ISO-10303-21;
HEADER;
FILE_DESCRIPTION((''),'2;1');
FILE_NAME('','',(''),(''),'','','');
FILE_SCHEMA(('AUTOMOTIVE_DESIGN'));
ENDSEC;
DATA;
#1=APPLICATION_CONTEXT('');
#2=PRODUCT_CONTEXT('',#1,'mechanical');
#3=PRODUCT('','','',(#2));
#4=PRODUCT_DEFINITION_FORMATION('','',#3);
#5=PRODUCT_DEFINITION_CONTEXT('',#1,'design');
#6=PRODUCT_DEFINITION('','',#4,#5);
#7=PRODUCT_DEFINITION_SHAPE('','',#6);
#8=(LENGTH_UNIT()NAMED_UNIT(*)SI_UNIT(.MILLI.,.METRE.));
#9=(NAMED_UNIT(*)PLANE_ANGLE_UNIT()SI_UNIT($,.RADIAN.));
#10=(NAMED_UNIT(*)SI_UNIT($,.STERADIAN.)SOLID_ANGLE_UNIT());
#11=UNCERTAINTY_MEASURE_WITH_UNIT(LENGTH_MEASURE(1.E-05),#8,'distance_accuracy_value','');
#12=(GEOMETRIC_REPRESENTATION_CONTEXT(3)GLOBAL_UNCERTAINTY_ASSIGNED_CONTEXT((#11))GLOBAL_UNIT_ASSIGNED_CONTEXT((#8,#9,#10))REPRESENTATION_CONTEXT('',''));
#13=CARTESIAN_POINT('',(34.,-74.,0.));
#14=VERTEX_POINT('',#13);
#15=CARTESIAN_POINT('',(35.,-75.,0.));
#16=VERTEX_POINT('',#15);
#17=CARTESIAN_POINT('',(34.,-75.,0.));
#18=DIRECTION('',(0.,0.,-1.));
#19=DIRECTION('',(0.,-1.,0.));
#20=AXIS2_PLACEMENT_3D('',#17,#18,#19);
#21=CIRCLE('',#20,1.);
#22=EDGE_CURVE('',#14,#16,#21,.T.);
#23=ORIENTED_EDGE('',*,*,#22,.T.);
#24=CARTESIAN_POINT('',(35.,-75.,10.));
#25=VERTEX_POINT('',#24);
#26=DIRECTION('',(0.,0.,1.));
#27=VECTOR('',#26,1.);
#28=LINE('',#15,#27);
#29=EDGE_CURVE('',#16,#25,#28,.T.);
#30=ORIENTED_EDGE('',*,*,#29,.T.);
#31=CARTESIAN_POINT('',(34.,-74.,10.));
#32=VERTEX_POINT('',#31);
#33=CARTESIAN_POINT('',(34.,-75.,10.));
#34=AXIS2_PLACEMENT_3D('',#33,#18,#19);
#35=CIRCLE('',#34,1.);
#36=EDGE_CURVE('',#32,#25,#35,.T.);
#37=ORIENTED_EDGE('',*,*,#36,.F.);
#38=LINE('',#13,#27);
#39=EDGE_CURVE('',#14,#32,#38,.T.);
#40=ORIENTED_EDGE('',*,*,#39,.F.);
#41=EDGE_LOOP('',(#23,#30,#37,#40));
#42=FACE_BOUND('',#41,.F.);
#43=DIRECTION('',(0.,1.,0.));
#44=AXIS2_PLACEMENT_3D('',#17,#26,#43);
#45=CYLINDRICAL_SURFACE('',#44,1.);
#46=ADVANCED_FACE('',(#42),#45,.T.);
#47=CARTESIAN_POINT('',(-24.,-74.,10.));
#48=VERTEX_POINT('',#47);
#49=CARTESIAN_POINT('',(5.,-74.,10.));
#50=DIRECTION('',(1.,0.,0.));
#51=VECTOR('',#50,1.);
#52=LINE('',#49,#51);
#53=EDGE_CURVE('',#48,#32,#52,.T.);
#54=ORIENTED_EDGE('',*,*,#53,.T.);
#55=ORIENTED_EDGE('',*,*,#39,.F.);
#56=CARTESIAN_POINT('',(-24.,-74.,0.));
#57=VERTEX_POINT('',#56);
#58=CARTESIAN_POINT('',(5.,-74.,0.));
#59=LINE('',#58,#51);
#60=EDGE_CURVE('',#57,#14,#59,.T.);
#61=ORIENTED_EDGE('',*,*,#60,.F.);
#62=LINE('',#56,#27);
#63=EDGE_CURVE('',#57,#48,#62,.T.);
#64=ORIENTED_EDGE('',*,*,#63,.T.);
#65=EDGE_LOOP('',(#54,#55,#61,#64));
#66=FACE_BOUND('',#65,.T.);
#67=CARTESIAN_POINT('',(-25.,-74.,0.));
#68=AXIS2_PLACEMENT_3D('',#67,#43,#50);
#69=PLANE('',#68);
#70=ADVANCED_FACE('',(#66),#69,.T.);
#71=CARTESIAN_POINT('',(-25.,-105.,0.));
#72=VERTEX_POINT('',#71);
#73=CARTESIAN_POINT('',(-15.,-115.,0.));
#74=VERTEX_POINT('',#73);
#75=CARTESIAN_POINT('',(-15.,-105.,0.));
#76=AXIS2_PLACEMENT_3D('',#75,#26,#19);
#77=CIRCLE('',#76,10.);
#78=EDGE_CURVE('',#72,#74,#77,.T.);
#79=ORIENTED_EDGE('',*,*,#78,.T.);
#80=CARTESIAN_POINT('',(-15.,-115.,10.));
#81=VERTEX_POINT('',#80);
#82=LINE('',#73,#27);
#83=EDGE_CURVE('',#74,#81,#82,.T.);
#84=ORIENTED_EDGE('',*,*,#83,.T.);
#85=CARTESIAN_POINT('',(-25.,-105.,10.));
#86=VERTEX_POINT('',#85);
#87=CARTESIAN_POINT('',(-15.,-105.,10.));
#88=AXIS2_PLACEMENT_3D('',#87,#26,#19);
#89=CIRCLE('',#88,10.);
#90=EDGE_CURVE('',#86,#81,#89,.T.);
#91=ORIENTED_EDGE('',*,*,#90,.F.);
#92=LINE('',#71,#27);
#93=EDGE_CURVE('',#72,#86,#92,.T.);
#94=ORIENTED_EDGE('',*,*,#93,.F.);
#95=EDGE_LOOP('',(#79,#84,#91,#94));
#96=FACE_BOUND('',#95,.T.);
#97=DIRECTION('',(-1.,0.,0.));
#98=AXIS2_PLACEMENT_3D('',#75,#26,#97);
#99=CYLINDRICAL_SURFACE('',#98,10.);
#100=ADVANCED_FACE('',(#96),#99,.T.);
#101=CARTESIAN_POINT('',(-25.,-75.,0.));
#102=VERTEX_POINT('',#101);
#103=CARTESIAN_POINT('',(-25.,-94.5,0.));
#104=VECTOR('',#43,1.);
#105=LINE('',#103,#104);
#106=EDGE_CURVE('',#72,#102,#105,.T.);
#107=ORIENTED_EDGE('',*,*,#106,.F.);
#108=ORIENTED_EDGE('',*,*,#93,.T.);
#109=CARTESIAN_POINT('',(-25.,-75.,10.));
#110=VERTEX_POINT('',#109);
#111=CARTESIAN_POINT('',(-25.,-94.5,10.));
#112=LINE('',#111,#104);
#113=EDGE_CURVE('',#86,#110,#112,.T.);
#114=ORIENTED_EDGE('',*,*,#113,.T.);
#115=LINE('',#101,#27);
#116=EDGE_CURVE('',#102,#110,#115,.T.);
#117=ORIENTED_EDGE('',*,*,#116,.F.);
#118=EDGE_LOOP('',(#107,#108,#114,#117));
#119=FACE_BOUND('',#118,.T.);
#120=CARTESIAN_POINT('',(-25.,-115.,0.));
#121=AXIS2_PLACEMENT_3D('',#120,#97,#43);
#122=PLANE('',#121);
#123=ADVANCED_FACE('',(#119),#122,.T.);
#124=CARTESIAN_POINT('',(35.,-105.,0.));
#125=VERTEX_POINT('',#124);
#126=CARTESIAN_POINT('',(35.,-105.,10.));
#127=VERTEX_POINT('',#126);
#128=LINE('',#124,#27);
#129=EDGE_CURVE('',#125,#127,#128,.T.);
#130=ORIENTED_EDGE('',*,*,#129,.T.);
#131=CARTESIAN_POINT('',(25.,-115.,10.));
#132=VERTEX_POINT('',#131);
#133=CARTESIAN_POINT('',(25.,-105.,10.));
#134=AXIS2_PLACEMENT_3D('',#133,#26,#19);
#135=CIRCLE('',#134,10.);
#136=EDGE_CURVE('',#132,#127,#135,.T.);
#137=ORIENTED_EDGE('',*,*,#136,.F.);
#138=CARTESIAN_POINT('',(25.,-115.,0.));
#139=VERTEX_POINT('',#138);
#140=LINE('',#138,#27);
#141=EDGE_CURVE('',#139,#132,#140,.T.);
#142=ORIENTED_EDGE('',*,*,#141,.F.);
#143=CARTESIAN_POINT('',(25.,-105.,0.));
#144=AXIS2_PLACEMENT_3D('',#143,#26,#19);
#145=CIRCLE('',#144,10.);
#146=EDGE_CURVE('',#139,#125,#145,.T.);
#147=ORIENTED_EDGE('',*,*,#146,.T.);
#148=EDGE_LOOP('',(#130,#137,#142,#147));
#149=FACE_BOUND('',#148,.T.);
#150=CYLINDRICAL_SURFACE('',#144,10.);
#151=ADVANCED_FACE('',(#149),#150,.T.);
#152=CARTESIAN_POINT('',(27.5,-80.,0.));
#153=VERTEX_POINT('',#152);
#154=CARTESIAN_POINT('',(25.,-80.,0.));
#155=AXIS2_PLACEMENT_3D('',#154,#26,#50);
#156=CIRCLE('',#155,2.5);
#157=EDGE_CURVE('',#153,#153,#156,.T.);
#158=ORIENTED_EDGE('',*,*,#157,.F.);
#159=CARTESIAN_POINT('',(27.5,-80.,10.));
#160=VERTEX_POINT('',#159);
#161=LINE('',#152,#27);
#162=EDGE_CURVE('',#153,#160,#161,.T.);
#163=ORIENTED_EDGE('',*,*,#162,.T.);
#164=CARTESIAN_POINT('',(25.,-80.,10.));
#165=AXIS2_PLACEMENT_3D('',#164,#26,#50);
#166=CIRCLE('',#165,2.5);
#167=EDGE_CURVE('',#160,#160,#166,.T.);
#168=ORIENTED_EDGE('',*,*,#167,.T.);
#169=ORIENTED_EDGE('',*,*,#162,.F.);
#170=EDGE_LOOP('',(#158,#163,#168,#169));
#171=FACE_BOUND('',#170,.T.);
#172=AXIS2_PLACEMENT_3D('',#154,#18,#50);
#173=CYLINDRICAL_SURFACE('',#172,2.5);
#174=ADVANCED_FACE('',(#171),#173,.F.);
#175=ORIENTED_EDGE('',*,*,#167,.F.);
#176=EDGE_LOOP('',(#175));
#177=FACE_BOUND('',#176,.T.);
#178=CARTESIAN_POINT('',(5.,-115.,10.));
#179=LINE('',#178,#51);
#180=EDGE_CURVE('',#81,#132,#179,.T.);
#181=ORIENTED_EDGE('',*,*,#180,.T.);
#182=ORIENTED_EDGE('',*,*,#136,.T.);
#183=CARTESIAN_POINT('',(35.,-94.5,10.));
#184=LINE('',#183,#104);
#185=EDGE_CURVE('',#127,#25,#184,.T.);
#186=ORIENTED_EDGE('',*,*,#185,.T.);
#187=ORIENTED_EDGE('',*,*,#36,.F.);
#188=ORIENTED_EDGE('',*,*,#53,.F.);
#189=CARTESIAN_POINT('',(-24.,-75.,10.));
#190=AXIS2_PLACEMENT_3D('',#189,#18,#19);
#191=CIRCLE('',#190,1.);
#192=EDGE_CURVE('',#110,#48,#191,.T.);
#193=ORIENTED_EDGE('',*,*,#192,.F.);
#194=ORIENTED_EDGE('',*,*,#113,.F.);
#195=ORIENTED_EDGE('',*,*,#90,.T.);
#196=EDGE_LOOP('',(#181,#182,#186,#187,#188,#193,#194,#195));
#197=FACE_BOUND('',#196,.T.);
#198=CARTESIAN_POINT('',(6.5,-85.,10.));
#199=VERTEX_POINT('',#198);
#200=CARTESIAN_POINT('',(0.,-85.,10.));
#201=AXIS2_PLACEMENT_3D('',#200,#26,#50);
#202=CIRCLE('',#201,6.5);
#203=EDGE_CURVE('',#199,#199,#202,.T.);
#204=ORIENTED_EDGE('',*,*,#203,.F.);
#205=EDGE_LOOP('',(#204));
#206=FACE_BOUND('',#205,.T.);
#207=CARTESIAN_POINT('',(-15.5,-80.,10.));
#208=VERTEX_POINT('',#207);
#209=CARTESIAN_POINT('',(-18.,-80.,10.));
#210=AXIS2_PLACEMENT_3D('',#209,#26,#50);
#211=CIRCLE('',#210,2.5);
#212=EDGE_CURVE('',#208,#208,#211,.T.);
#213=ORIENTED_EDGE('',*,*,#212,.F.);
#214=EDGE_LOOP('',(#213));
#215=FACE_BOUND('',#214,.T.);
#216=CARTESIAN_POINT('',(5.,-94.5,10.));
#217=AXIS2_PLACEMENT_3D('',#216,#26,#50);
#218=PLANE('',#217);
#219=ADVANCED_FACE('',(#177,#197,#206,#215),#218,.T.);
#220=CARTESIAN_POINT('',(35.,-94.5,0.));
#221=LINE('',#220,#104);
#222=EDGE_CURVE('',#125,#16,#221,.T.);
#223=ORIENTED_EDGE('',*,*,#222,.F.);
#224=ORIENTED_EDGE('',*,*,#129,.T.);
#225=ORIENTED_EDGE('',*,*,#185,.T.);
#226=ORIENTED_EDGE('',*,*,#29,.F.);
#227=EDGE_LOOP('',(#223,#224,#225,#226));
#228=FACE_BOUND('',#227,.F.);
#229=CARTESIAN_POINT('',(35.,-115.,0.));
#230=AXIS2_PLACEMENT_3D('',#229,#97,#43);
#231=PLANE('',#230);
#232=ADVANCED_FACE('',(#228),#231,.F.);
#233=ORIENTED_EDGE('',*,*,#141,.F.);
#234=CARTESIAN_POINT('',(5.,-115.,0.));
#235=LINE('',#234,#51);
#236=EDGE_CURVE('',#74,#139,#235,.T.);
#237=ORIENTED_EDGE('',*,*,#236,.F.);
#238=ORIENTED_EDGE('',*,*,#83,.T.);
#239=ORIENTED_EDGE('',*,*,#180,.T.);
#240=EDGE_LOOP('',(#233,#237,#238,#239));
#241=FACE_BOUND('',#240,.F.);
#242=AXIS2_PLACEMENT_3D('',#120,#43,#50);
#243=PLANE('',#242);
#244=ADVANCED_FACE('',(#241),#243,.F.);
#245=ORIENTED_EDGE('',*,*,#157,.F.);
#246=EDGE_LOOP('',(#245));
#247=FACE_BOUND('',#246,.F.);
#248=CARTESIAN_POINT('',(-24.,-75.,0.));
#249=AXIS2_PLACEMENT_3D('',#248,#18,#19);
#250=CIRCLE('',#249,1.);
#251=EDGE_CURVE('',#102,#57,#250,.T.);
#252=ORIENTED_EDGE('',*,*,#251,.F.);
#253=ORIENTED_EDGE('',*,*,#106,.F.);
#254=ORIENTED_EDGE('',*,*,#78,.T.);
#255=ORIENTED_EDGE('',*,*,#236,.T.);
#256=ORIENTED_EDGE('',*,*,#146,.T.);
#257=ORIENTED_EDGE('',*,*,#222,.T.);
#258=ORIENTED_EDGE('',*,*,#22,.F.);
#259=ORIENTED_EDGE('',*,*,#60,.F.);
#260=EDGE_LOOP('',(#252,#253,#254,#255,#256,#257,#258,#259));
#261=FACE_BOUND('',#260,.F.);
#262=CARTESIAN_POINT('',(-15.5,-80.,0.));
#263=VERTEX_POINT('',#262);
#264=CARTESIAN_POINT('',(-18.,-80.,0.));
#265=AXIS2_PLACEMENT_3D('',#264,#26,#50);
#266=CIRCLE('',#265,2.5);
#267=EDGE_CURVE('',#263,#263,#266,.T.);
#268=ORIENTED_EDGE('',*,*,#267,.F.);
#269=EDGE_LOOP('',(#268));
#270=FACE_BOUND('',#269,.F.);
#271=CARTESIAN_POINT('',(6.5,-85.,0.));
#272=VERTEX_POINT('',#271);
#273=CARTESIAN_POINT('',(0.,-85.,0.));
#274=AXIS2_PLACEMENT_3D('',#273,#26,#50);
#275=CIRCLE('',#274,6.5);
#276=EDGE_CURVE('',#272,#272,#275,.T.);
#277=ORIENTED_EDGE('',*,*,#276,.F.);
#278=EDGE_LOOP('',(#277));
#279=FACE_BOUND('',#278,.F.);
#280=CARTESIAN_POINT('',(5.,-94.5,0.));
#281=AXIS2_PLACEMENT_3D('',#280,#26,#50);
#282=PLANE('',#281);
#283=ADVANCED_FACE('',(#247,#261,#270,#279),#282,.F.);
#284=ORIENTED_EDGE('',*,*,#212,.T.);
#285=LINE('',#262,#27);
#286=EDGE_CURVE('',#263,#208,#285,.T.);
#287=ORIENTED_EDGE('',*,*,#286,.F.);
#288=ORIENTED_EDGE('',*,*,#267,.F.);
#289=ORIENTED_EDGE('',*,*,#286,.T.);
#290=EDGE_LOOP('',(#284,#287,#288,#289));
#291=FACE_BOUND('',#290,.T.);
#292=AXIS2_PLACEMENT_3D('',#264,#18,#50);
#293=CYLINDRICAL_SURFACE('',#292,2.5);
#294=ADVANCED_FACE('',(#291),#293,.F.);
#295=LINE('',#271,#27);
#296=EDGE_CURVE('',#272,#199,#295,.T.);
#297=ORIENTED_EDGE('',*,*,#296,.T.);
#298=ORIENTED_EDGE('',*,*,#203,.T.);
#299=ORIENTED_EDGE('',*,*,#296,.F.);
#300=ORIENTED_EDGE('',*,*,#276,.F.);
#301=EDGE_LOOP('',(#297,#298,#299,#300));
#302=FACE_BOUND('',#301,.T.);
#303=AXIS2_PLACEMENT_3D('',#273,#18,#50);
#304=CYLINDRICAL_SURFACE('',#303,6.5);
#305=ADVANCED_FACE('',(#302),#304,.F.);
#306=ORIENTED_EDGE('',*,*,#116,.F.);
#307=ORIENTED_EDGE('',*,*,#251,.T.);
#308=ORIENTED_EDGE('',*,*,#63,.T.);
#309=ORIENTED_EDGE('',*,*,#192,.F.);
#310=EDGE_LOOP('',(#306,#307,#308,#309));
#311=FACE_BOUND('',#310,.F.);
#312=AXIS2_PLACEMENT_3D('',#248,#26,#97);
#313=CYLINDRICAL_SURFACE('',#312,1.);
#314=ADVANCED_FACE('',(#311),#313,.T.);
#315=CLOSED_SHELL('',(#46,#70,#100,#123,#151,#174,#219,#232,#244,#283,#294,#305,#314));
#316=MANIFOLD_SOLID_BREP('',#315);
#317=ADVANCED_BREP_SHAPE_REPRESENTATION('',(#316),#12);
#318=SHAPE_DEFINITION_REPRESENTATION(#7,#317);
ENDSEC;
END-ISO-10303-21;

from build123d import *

# Parameters (mm, degrees)
SKETCH_W    = 60
SKETCH_H    = 41
SKETCH_R    = 2.5
SKETCH_R_2  = 6.5
PAD_DEPTH   = 10
FILLET_R    = 10
FILLET001_R = 1


with BuildPart() as part:
    # Sketch → Pad (new body)
    with BuildSketch(Plane.XY):
        with Locations((5, -94.5)):
            Rectangle(SKETCH_W, SKETCH_H)
        with Locations((25, -80)):
            Circle(SKETCH_R, mode=Mode.SUBTRACT)
        with Locations((-18, -80)):
            Circle(SKETCH_R, mode=Mode.SUBTRACT)
        with Locations((0, -85)):
            Circle(SKETCH_R_2, mode=Mode.SUBTRACT)
    extrude(amount=PAD_DEPTH)

    # Fillet
    fillet_edges = [part.edges().sort_by_distance(p)[0] for p in [
        (-25, -115, 5),
        (35, -115, 5),
    ]]
    fillet(fillet_edges, radius=FILLET_R)

    # Fillet001
    fillet001_edges = [part.edges().sort_by_distance(p)[0] for p in [
        (-25, -74, 5),
        (35, -74, 5),
    ]]
    fillet(fillet001_edges, radius=FILLET001_R)


solid = part.part
